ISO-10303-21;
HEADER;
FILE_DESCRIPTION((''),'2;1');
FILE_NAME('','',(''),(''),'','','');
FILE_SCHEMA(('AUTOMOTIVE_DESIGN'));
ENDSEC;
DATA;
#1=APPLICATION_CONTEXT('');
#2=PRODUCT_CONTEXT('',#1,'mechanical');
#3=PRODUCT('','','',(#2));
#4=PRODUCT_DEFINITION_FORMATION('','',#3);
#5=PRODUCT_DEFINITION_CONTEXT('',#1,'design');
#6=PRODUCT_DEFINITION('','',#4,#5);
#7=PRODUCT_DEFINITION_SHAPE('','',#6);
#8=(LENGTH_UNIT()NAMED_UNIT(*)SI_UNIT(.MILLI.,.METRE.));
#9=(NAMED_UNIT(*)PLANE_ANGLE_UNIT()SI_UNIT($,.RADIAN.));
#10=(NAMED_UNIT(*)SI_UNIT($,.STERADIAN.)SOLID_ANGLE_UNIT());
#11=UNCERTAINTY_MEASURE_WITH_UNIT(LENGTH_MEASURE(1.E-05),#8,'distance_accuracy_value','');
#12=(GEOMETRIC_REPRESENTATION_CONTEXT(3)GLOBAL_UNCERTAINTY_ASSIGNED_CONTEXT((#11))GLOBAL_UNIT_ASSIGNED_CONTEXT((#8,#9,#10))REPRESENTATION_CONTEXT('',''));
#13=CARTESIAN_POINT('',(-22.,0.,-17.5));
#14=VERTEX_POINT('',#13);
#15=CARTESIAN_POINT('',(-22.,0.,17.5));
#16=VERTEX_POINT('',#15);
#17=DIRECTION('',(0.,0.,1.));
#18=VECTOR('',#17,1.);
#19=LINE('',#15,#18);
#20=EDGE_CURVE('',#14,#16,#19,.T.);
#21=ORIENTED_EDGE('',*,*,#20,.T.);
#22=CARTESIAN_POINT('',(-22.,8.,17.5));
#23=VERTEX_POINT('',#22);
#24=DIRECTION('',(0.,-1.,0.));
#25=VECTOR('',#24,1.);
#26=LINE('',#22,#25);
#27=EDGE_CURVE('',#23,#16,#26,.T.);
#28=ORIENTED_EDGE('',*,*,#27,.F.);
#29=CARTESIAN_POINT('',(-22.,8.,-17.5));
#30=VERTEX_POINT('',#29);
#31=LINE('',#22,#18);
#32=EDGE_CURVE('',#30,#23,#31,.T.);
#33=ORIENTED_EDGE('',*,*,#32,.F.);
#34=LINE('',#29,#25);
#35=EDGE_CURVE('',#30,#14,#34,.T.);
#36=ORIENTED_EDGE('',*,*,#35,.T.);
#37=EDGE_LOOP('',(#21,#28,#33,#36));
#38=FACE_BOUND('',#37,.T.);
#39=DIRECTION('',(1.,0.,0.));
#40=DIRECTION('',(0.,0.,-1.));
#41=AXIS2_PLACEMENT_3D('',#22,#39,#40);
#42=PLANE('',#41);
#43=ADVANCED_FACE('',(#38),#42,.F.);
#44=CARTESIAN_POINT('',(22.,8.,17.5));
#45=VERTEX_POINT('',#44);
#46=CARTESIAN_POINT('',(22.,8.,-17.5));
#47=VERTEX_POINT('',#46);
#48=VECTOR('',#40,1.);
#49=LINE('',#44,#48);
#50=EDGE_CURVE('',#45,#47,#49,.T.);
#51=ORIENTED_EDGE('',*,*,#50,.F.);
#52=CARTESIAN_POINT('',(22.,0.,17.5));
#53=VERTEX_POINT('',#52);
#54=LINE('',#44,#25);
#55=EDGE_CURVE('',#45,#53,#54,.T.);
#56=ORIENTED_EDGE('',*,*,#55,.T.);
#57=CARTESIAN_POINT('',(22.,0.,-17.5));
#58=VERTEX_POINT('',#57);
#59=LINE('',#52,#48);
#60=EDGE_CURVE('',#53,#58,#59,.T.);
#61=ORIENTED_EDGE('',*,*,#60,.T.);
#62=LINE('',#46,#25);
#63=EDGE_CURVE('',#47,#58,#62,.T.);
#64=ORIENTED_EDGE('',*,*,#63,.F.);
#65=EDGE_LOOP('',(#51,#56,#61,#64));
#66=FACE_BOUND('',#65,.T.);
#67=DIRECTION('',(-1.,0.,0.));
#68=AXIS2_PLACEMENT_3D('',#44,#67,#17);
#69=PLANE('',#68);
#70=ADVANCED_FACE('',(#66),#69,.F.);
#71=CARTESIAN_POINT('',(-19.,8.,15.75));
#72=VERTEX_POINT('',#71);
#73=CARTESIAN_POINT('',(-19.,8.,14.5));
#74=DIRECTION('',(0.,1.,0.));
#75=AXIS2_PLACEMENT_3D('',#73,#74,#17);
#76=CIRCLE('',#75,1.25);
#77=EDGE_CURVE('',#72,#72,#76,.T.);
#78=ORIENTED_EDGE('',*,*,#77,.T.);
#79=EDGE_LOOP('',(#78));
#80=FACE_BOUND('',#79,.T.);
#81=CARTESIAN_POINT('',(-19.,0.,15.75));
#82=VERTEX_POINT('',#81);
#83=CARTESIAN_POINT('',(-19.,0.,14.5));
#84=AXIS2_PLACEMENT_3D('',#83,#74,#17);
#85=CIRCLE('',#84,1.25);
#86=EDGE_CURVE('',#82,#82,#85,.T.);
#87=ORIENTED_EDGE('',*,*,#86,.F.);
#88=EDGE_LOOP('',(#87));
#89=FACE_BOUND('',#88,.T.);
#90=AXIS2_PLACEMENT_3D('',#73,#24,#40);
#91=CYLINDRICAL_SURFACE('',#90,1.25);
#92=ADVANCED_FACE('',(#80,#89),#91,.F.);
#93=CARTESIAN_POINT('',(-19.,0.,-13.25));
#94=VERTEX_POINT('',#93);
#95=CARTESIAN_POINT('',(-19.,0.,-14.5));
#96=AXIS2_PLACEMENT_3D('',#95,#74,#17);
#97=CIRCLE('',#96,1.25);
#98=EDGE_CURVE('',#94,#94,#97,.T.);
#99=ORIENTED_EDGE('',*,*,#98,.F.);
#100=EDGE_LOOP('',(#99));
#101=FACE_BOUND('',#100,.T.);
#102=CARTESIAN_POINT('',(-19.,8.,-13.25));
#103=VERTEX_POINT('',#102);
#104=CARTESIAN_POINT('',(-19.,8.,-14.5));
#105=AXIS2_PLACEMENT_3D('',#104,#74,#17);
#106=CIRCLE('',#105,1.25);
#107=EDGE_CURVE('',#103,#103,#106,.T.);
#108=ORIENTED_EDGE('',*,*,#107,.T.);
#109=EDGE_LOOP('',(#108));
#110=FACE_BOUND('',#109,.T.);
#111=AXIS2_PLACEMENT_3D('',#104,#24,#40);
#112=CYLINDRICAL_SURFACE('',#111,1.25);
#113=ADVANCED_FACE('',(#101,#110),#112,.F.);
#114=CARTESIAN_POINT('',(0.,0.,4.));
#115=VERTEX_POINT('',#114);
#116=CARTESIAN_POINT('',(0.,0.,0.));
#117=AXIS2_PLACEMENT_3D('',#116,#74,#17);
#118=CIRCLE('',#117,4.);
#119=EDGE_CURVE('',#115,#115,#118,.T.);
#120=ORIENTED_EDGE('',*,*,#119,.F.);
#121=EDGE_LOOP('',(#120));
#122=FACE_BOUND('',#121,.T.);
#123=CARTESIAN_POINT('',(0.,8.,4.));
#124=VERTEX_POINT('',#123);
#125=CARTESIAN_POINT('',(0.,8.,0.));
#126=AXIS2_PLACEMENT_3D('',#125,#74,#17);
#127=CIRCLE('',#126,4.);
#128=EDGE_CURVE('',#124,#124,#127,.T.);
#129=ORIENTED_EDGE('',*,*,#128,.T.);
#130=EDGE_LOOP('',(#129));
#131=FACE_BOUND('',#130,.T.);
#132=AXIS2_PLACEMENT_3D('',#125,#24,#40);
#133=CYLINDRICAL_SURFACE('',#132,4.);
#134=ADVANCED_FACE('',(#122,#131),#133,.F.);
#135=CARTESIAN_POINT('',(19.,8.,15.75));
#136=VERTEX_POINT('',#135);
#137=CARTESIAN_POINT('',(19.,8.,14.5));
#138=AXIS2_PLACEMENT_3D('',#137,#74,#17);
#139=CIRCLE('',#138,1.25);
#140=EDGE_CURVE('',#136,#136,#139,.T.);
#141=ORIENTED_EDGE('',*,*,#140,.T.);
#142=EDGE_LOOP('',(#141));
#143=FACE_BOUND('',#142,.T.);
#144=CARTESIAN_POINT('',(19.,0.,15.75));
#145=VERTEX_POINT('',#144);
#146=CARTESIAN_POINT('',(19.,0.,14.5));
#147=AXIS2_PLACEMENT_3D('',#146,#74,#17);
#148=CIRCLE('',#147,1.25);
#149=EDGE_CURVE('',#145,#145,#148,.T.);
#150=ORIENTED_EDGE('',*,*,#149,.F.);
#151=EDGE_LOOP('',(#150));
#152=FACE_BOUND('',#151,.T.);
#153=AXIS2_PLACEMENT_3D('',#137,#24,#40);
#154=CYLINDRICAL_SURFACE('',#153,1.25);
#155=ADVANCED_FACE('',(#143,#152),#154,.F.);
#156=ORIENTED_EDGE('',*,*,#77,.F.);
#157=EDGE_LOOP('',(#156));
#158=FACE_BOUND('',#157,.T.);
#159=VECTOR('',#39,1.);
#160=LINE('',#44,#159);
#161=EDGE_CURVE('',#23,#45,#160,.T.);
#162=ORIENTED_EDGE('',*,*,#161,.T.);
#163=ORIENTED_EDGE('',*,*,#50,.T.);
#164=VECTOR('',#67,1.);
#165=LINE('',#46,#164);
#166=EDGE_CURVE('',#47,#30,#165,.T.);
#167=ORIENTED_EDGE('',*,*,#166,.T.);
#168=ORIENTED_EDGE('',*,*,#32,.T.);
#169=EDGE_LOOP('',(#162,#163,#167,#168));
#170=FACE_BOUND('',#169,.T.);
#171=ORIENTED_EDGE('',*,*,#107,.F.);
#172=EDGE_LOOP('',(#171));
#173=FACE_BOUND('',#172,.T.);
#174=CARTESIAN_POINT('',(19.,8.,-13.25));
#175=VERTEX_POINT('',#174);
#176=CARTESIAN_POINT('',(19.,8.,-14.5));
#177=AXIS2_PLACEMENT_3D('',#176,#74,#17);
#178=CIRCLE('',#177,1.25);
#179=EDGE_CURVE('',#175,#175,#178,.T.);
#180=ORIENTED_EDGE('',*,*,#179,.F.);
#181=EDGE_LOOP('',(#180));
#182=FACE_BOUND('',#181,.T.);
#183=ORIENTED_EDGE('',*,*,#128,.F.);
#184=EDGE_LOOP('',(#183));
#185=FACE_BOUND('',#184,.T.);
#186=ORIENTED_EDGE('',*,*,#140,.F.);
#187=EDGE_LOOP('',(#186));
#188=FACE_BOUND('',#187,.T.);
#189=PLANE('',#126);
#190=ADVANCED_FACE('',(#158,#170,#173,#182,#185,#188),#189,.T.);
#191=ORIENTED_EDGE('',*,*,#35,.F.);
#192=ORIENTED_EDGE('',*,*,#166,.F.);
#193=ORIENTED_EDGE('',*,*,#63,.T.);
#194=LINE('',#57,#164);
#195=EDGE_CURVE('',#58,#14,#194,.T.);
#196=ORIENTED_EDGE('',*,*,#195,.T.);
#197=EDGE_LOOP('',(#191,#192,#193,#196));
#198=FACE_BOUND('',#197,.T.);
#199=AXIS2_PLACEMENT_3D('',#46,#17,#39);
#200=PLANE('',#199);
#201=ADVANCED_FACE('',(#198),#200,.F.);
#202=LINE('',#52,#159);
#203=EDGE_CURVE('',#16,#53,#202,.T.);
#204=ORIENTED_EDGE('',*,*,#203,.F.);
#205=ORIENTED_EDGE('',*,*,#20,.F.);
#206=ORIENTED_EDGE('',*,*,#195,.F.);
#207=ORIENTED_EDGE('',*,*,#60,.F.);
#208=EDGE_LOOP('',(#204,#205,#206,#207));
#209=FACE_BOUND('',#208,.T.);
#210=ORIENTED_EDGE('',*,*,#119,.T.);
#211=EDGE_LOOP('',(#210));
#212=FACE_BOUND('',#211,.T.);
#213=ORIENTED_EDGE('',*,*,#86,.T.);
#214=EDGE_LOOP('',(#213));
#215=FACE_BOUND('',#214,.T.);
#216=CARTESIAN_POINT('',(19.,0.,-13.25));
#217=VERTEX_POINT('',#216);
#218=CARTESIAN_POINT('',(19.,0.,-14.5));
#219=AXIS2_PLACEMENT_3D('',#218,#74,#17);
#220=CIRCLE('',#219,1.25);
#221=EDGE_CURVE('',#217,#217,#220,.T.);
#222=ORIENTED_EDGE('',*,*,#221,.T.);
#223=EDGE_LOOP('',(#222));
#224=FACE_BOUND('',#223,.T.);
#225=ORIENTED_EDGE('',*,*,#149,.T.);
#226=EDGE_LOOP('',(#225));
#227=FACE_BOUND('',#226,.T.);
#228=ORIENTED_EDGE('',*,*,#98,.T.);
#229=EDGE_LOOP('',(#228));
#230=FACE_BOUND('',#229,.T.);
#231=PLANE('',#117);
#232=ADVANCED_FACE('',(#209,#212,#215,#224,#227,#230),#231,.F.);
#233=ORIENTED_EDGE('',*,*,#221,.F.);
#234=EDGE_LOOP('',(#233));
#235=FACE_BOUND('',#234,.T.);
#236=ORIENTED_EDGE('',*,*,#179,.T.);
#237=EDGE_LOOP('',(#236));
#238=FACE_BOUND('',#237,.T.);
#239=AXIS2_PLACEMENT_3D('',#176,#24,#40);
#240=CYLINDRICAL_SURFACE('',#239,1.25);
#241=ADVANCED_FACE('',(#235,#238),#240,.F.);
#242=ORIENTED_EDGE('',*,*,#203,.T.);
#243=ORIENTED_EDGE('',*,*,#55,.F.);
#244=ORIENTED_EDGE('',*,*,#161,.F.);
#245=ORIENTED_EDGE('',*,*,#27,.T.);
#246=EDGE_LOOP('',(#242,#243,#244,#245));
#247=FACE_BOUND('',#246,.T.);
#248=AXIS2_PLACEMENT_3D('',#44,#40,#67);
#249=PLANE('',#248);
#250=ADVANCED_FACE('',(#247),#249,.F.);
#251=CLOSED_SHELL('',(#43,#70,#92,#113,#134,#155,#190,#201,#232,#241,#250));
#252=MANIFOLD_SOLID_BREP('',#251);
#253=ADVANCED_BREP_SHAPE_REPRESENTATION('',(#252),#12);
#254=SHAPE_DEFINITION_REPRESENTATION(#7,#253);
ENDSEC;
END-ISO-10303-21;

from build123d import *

# Parameters (mm, degrees)
SKETCH16_W          = 44
SKETCH16_H          = 35
SKETCH16_R          = 1.25
BOSS_EXTRUDE1_DEPTH = 8
SKETCH1_R           = 4
CUT_EXTRUDE3_DEPTH  = 9


with BuildPart() as part:
    # Sketch16 → Boss-Extrude1 (new body)
    with BuildSketch(Plane(origin=(0, 0, 0), x_dir=(-1, 0, 0), z_dir=(0, 1, 0))):
        Rectangle(SKETCH16_W, SKETCH16_H)
        with Locations((-19, 14.5)):
            Circle(SKETCH16_R, mode=Mode.SUBTRACT)
        with Locations((19, 14.5)):
            Circle(SKETCH16_R, mode=Mode.SUBTRACT)
        with Locations((19, -14.5)):
            Circle(SKETCH16_R, mode=Mode.SUBTRACT)
        with Locations((-19, -14.5)):
            Circle(SKETCH16_R, mode=Mode.SUBTRACT)
    extrude(amount=BOSS_EXTRUDE1_DEPTH)

    # Sketch1 → Cut-Extrude3 (cut, through all)
    with BuildSketch(Plane(origin=(0, 0, 0), x_dir=(1, 0, 0), z_dir=(0, 1, 0))):
        Circle(SKETCH1_R)
    extrude(amount=CUT_EXTRUDE3_DEPTH, mode=Mode.SUBTRACT)


solid = part.part
